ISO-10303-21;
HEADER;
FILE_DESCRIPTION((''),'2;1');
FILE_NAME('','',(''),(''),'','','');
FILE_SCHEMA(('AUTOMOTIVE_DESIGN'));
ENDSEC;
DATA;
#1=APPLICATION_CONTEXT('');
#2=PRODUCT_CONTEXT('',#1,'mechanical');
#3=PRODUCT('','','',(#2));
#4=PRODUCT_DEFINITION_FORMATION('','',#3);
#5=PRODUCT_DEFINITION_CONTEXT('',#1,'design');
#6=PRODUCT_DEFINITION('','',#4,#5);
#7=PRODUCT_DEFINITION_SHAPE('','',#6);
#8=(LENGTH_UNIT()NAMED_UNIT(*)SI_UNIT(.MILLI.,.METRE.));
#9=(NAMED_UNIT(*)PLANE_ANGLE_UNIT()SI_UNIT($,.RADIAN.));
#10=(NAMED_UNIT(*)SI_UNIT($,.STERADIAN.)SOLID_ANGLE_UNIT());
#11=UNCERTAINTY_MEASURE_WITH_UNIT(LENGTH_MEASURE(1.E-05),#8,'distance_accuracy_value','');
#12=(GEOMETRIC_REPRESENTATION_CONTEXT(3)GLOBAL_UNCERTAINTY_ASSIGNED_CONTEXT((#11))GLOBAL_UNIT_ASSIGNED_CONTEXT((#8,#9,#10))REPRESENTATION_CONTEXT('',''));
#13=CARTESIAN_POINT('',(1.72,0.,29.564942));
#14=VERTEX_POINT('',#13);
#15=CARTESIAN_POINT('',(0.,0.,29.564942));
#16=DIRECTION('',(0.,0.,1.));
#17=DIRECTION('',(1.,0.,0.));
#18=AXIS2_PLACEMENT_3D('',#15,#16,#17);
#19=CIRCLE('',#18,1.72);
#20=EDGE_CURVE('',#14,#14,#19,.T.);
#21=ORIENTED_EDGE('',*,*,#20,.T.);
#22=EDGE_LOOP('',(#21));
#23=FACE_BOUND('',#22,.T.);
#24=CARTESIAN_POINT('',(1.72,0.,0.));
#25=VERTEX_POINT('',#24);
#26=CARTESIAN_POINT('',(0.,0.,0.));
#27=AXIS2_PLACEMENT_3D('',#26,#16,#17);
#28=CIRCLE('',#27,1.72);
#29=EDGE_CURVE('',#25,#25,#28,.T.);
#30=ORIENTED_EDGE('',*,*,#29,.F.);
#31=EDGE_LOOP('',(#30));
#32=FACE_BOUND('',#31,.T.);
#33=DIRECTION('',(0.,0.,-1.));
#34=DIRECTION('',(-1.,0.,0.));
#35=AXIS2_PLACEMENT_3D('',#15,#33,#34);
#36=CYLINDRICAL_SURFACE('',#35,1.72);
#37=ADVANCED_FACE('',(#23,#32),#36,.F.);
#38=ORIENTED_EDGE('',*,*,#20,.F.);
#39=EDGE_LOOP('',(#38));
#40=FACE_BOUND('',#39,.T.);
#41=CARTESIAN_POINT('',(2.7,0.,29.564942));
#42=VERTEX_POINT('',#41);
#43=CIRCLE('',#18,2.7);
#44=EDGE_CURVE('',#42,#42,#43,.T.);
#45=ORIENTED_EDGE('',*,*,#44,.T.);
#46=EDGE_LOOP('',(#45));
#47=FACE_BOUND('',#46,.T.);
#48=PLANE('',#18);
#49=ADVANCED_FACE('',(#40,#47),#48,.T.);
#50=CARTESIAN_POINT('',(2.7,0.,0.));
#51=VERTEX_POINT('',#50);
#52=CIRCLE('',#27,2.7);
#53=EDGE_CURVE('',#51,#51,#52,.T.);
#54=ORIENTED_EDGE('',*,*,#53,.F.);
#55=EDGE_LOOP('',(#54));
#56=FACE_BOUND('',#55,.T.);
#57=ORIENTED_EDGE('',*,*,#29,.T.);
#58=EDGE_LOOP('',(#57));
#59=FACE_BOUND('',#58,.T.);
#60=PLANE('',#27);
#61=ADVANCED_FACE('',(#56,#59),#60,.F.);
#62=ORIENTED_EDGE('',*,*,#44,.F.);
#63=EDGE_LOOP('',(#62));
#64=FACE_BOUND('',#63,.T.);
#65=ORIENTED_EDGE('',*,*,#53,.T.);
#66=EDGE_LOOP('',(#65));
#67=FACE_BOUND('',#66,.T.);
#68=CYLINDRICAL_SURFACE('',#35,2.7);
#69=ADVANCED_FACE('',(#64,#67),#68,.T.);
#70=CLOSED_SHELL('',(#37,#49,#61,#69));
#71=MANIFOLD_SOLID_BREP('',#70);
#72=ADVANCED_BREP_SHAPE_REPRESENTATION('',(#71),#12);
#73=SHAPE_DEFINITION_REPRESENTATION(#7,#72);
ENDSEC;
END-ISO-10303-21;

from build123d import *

# Parameters (mm, degrees)
S01_OPEN_STEEL_CORE_BORE_R      = 2.7
S01_OPEN_STEEL_CORE_BORE_R_2    = 1.72
F_01_OPEN_STEEL_CORE_BORE_DEPTH = 29.564941753


with BuildPart() as part:
    # S01 - Open steel core bore → 01 - Open steel core bore (new body)
    with BuildSketch(Plane.XY):
        Circle(S01_OPEN_STEEL_CORE_BORE_R)
        Circle(S01_OPEN_STEEL_CORE_BORE_R_2, mode=Mode.SUBTRACT)
    extrude(amount=F_01_OPEN_STEEL_CORE_BORE_DEPTH)


solid = part.part
